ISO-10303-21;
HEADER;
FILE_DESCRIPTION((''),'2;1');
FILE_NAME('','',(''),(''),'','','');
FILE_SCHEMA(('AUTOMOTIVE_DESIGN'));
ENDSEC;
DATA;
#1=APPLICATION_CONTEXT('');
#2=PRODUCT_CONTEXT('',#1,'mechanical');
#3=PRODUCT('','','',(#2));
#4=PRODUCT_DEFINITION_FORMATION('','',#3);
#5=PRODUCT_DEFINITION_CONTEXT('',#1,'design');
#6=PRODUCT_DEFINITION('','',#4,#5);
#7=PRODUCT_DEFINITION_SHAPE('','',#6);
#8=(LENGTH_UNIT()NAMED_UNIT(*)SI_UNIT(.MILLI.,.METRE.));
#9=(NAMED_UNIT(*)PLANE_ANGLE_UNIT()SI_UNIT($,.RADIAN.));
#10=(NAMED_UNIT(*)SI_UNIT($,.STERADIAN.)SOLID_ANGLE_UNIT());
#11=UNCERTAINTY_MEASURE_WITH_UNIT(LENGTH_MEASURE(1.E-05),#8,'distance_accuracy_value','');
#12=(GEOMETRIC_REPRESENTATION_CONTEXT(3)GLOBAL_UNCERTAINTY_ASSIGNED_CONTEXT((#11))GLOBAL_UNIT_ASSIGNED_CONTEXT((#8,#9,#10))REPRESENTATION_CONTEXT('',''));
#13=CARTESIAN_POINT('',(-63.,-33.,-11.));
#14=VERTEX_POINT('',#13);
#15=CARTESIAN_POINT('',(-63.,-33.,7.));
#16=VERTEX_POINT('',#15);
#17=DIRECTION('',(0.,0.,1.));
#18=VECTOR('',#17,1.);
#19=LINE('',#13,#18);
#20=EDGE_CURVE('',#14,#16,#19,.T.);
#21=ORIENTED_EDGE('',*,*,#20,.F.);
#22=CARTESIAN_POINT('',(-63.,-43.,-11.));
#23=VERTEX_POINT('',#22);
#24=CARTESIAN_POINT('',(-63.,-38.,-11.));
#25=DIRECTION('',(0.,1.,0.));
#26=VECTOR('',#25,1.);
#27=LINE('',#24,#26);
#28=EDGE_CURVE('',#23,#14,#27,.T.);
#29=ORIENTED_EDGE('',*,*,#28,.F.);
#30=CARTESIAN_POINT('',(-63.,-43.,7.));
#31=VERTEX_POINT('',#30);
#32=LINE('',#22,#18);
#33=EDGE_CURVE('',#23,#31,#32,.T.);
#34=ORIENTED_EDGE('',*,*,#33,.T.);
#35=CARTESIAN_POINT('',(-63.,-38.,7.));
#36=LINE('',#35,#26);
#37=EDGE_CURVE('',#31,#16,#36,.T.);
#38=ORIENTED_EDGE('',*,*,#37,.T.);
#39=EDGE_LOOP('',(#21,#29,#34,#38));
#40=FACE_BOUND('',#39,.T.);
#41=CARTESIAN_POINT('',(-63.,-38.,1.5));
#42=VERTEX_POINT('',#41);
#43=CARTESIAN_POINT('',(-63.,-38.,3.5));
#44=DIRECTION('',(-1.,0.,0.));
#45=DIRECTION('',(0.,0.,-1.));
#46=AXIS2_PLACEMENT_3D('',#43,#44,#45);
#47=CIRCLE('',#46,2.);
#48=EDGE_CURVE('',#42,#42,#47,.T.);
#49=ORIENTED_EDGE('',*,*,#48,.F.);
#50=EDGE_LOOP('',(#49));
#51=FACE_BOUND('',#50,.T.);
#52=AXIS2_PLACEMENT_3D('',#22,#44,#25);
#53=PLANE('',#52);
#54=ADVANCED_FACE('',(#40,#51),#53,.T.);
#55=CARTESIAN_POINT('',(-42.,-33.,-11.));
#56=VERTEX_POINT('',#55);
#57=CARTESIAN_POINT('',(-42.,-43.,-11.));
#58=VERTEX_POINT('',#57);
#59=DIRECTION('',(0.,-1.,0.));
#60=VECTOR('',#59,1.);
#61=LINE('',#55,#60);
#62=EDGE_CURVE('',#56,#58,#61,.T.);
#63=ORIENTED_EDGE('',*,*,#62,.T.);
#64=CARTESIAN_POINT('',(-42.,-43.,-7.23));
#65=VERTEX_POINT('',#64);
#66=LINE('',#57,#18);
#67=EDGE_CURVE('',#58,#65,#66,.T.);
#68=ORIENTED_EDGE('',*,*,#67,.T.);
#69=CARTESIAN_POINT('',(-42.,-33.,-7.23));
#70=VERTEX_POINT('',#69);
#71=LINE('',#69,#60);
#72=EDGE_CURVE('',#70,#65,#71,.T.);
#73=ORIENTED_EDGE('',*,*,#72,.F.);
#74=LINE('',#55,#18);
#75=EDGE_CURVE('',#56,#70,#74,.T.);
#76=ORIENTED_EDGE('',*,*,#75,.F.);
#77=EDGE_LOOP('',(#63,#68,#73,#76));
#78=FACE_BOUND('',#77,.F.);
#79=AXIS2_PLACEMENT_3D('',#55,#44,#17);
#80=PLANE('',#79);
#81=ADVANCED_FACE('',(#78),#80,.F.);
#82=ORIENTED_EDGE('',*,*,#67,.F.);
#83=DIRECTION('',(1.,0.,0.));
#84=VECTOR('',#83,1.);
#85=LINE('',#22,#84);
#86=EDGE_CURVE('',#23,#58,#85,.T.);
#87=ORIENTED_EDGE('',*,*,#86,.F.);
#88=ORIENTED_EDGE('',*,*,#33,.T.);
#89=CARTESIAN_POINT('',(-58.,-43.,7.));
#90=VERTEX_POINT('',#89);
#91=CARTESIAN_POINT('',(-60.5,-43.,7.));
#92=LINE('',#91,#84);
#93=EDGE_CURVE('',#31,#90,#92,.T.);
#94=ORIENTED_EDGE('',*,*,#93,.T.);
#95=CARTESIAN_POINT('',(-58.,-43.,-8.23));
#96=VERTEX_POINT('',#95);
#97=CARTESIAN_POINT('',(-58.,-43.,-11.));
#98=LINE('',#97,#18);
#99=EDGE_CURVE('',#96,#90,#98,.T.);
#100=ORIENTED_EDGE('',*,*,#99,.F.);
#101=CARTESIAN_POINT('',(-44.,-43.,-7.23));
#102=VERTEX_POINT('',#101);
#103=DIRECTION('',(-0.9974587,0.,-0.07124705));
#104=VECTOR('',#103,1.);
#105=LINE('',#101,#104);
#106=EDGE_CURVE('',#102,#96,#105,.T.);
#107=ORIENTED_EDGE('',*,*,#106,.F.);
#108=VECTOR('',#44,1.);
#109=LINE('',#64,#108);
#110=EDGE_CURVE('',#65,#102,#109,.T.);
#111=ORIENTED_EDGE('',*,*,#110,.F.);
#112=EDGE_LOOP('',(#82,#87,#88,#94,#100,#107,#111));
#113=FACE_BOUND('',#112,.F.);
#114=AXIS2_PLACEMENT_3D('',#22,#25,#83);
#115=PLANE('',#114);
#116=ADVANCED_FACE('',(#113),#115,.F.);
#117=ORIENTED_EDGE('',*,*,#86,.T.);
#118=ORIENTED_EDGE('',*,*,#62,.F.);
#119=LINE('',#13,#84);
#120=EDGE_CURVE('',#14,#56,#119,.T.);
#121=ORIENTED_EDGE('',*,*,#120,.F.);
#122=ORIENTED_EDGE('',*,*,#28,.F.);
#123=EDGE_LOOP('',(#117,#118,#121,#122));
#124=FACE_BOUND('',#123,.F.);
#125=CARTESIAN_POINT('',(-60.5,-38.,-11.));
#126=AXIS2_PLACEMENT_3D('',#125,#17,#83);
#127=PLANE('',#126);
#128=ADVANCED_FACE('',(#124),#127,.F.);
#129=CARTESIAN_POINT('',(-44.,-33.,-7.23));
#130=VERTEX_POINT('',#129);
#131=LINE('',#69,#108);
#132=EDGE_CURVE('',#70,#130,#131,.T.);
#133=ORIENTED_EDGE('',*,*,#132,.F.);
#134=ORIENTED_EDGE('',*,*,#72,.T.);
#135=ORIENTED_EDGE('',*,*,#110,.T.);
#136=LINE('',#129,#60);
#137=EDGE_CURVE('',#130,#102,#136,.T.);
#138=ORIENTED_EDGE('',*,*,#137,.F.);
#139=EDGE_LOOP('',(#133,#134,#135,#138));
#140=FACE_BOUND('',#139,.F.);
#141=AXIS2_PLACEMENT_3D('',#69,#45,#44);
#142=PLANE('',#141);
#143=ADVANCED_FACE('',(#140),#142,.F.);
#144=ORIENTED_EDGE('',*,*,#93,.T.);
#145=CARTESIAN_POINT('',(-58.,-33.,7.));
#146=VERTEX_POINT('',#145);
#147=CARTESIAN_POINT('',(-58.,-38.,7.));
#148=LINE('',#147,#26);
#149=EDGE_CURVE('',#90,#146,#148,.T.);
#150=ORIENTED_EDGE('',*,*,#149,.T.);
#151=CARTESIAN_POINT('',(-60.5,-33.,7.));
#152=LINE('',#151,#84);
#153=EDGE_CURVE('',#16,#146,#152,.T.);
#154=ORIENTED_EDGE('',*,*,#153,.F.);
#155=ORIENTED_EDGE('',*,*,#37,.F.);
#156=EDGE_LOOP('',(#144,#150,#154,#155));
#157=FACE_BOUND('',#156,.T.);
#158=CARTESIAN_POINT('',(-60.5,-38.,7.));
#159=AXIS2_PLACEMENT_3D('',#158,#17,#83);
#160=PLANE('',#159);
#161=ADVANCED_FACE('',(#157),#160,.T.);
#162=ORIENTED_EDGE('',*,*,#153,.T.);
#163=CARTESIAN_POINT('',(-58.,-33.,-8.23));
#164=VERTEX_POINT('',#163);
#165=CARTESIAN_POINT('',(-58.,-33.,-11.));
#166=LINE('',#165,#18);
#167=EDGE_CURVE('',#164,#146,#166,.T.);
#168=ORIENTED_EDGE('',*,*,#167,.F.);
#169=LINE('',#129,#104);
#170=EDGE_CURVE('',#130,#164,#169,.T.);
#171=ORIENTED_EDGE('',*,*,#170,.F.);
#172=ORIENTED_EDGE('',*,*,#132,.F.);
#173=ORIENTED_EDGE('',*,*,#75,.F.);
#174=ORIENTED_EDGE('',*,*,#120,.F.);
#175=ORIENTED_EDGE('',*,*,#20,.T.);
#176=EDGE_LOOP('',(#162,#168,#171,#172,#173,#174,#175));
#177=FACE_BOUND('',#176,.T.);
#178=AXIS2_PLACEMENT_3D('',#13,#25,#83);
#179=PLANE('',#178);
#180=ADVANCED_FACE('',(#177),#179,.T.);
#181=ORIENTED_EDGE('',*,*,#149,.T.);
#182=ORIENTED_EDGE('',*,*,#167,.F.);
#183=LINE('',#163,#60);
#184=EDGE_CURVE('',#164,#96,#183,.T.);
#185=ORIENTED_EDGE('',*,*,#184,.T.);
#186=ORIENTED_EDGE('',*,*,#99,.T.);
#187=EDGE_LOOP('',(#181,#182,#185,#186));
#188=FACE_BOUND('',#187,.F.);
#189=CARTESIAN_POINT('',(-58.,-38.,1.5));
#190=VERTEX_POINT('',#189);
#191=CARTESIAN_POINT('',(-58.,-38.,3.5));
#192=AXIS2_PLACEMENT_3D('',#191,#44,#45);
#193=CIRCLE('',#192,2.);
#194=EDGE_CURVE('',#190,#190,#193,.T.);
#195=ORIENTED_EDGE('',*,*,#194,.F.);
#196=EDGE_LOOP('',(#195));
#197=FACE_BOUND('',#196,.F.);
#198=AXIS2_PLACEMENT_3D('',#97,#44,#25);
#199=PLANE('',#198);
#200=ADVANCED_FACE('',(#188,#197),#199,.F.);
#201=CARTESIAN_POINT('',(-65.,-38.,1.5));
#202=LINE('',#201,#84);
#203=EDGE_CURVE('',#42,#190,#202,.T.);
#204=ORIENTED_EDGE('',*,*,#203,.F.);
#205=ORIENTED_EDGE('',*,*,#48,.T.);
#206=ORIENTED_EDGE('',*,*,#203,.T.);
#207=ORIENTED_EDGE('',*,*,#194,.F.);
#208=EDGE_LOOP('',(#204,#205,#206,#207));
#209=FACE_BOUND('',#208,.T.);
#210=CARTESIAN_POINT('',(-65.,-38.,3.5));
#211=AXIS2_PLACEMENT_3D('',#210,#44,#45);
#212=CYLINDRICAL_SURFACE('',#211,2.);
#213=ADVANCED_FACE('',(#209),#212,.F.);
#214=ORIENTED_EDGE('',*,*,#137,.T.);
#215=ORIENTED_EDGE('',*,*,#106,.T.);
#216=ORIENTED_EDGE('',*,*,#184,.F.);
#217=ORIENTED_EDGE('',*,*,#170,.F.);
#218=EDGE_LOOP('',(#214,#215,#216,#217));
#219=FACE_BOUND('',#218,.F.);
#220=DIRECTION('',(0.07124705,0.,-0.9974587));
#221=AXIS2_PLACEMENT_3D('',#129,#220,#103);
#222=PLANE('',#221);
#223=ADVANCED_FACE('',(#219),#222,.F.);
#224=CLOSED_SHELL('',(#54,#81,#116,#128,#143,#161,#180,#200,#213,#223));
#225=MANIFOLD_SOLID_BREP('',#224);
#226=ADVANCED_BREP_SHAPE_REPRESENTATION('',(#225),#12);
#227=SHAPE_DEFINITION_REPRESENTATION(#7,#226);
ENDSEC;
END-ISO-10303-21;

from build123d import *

# Parameters (mm, degrees)
CYLINDER002_R     = 2
CYLINDER002_DEPTH = 10
BOX002_W          = 5
BOX002_H          = 10
BOX002_DEPTH      = 18
EXTRUDE_DEPTH     = 10


with BuildPart() as cylinder002:
    # Cylinder002 → Cylinder002 (new body)
    with BuildSketch(Plane(origin=(-65, -38, 3.5), x_dir=(0, 0, -1), z_dir=(1, 0, 0))):
        Circle(CYLINDER002_R)
    extrude(amount=CYLINDER002_DEPTH)


with BuildPart() as cut002:
    # Box002 → Box002 (new body)
    with BuildSketch(Plane(origin=(-63, -43, -11), x_dir=(1, 0, 0), z_dir=(0, 0, 1))):
        with Locations((2.5, 5)):
            Rectangle(BOX002_W, BOX002_H)
    extrude(amount=BOX002_DEPTH)

    # Cut002: cut Cylinder002
    add(cylinder002.part, mode=Mode.SUBTRACT)


with BuildPart() as fusion001:
    # Sketch → Extrude (new body)
    with BuildSketch(Plane.XZ):
        Polygon((-49.224583, -10.083495), (-33.224583, -10.083495), (-33.224583, -6.313495), (-35.224583, -6.313495), (-49.224583, -7.313495), align=None)
    extrude(amount=EXTRUDE_DEPTH)


with BuildPart() as fusion001_1:
    # Extrude placement: moved
    add(fusion001.part.moved(Location((-8.775417, -33, -0.916505))))

    # Fusion001: union Cut002
    add(cut002.part)


solid = fusion001_1.part
